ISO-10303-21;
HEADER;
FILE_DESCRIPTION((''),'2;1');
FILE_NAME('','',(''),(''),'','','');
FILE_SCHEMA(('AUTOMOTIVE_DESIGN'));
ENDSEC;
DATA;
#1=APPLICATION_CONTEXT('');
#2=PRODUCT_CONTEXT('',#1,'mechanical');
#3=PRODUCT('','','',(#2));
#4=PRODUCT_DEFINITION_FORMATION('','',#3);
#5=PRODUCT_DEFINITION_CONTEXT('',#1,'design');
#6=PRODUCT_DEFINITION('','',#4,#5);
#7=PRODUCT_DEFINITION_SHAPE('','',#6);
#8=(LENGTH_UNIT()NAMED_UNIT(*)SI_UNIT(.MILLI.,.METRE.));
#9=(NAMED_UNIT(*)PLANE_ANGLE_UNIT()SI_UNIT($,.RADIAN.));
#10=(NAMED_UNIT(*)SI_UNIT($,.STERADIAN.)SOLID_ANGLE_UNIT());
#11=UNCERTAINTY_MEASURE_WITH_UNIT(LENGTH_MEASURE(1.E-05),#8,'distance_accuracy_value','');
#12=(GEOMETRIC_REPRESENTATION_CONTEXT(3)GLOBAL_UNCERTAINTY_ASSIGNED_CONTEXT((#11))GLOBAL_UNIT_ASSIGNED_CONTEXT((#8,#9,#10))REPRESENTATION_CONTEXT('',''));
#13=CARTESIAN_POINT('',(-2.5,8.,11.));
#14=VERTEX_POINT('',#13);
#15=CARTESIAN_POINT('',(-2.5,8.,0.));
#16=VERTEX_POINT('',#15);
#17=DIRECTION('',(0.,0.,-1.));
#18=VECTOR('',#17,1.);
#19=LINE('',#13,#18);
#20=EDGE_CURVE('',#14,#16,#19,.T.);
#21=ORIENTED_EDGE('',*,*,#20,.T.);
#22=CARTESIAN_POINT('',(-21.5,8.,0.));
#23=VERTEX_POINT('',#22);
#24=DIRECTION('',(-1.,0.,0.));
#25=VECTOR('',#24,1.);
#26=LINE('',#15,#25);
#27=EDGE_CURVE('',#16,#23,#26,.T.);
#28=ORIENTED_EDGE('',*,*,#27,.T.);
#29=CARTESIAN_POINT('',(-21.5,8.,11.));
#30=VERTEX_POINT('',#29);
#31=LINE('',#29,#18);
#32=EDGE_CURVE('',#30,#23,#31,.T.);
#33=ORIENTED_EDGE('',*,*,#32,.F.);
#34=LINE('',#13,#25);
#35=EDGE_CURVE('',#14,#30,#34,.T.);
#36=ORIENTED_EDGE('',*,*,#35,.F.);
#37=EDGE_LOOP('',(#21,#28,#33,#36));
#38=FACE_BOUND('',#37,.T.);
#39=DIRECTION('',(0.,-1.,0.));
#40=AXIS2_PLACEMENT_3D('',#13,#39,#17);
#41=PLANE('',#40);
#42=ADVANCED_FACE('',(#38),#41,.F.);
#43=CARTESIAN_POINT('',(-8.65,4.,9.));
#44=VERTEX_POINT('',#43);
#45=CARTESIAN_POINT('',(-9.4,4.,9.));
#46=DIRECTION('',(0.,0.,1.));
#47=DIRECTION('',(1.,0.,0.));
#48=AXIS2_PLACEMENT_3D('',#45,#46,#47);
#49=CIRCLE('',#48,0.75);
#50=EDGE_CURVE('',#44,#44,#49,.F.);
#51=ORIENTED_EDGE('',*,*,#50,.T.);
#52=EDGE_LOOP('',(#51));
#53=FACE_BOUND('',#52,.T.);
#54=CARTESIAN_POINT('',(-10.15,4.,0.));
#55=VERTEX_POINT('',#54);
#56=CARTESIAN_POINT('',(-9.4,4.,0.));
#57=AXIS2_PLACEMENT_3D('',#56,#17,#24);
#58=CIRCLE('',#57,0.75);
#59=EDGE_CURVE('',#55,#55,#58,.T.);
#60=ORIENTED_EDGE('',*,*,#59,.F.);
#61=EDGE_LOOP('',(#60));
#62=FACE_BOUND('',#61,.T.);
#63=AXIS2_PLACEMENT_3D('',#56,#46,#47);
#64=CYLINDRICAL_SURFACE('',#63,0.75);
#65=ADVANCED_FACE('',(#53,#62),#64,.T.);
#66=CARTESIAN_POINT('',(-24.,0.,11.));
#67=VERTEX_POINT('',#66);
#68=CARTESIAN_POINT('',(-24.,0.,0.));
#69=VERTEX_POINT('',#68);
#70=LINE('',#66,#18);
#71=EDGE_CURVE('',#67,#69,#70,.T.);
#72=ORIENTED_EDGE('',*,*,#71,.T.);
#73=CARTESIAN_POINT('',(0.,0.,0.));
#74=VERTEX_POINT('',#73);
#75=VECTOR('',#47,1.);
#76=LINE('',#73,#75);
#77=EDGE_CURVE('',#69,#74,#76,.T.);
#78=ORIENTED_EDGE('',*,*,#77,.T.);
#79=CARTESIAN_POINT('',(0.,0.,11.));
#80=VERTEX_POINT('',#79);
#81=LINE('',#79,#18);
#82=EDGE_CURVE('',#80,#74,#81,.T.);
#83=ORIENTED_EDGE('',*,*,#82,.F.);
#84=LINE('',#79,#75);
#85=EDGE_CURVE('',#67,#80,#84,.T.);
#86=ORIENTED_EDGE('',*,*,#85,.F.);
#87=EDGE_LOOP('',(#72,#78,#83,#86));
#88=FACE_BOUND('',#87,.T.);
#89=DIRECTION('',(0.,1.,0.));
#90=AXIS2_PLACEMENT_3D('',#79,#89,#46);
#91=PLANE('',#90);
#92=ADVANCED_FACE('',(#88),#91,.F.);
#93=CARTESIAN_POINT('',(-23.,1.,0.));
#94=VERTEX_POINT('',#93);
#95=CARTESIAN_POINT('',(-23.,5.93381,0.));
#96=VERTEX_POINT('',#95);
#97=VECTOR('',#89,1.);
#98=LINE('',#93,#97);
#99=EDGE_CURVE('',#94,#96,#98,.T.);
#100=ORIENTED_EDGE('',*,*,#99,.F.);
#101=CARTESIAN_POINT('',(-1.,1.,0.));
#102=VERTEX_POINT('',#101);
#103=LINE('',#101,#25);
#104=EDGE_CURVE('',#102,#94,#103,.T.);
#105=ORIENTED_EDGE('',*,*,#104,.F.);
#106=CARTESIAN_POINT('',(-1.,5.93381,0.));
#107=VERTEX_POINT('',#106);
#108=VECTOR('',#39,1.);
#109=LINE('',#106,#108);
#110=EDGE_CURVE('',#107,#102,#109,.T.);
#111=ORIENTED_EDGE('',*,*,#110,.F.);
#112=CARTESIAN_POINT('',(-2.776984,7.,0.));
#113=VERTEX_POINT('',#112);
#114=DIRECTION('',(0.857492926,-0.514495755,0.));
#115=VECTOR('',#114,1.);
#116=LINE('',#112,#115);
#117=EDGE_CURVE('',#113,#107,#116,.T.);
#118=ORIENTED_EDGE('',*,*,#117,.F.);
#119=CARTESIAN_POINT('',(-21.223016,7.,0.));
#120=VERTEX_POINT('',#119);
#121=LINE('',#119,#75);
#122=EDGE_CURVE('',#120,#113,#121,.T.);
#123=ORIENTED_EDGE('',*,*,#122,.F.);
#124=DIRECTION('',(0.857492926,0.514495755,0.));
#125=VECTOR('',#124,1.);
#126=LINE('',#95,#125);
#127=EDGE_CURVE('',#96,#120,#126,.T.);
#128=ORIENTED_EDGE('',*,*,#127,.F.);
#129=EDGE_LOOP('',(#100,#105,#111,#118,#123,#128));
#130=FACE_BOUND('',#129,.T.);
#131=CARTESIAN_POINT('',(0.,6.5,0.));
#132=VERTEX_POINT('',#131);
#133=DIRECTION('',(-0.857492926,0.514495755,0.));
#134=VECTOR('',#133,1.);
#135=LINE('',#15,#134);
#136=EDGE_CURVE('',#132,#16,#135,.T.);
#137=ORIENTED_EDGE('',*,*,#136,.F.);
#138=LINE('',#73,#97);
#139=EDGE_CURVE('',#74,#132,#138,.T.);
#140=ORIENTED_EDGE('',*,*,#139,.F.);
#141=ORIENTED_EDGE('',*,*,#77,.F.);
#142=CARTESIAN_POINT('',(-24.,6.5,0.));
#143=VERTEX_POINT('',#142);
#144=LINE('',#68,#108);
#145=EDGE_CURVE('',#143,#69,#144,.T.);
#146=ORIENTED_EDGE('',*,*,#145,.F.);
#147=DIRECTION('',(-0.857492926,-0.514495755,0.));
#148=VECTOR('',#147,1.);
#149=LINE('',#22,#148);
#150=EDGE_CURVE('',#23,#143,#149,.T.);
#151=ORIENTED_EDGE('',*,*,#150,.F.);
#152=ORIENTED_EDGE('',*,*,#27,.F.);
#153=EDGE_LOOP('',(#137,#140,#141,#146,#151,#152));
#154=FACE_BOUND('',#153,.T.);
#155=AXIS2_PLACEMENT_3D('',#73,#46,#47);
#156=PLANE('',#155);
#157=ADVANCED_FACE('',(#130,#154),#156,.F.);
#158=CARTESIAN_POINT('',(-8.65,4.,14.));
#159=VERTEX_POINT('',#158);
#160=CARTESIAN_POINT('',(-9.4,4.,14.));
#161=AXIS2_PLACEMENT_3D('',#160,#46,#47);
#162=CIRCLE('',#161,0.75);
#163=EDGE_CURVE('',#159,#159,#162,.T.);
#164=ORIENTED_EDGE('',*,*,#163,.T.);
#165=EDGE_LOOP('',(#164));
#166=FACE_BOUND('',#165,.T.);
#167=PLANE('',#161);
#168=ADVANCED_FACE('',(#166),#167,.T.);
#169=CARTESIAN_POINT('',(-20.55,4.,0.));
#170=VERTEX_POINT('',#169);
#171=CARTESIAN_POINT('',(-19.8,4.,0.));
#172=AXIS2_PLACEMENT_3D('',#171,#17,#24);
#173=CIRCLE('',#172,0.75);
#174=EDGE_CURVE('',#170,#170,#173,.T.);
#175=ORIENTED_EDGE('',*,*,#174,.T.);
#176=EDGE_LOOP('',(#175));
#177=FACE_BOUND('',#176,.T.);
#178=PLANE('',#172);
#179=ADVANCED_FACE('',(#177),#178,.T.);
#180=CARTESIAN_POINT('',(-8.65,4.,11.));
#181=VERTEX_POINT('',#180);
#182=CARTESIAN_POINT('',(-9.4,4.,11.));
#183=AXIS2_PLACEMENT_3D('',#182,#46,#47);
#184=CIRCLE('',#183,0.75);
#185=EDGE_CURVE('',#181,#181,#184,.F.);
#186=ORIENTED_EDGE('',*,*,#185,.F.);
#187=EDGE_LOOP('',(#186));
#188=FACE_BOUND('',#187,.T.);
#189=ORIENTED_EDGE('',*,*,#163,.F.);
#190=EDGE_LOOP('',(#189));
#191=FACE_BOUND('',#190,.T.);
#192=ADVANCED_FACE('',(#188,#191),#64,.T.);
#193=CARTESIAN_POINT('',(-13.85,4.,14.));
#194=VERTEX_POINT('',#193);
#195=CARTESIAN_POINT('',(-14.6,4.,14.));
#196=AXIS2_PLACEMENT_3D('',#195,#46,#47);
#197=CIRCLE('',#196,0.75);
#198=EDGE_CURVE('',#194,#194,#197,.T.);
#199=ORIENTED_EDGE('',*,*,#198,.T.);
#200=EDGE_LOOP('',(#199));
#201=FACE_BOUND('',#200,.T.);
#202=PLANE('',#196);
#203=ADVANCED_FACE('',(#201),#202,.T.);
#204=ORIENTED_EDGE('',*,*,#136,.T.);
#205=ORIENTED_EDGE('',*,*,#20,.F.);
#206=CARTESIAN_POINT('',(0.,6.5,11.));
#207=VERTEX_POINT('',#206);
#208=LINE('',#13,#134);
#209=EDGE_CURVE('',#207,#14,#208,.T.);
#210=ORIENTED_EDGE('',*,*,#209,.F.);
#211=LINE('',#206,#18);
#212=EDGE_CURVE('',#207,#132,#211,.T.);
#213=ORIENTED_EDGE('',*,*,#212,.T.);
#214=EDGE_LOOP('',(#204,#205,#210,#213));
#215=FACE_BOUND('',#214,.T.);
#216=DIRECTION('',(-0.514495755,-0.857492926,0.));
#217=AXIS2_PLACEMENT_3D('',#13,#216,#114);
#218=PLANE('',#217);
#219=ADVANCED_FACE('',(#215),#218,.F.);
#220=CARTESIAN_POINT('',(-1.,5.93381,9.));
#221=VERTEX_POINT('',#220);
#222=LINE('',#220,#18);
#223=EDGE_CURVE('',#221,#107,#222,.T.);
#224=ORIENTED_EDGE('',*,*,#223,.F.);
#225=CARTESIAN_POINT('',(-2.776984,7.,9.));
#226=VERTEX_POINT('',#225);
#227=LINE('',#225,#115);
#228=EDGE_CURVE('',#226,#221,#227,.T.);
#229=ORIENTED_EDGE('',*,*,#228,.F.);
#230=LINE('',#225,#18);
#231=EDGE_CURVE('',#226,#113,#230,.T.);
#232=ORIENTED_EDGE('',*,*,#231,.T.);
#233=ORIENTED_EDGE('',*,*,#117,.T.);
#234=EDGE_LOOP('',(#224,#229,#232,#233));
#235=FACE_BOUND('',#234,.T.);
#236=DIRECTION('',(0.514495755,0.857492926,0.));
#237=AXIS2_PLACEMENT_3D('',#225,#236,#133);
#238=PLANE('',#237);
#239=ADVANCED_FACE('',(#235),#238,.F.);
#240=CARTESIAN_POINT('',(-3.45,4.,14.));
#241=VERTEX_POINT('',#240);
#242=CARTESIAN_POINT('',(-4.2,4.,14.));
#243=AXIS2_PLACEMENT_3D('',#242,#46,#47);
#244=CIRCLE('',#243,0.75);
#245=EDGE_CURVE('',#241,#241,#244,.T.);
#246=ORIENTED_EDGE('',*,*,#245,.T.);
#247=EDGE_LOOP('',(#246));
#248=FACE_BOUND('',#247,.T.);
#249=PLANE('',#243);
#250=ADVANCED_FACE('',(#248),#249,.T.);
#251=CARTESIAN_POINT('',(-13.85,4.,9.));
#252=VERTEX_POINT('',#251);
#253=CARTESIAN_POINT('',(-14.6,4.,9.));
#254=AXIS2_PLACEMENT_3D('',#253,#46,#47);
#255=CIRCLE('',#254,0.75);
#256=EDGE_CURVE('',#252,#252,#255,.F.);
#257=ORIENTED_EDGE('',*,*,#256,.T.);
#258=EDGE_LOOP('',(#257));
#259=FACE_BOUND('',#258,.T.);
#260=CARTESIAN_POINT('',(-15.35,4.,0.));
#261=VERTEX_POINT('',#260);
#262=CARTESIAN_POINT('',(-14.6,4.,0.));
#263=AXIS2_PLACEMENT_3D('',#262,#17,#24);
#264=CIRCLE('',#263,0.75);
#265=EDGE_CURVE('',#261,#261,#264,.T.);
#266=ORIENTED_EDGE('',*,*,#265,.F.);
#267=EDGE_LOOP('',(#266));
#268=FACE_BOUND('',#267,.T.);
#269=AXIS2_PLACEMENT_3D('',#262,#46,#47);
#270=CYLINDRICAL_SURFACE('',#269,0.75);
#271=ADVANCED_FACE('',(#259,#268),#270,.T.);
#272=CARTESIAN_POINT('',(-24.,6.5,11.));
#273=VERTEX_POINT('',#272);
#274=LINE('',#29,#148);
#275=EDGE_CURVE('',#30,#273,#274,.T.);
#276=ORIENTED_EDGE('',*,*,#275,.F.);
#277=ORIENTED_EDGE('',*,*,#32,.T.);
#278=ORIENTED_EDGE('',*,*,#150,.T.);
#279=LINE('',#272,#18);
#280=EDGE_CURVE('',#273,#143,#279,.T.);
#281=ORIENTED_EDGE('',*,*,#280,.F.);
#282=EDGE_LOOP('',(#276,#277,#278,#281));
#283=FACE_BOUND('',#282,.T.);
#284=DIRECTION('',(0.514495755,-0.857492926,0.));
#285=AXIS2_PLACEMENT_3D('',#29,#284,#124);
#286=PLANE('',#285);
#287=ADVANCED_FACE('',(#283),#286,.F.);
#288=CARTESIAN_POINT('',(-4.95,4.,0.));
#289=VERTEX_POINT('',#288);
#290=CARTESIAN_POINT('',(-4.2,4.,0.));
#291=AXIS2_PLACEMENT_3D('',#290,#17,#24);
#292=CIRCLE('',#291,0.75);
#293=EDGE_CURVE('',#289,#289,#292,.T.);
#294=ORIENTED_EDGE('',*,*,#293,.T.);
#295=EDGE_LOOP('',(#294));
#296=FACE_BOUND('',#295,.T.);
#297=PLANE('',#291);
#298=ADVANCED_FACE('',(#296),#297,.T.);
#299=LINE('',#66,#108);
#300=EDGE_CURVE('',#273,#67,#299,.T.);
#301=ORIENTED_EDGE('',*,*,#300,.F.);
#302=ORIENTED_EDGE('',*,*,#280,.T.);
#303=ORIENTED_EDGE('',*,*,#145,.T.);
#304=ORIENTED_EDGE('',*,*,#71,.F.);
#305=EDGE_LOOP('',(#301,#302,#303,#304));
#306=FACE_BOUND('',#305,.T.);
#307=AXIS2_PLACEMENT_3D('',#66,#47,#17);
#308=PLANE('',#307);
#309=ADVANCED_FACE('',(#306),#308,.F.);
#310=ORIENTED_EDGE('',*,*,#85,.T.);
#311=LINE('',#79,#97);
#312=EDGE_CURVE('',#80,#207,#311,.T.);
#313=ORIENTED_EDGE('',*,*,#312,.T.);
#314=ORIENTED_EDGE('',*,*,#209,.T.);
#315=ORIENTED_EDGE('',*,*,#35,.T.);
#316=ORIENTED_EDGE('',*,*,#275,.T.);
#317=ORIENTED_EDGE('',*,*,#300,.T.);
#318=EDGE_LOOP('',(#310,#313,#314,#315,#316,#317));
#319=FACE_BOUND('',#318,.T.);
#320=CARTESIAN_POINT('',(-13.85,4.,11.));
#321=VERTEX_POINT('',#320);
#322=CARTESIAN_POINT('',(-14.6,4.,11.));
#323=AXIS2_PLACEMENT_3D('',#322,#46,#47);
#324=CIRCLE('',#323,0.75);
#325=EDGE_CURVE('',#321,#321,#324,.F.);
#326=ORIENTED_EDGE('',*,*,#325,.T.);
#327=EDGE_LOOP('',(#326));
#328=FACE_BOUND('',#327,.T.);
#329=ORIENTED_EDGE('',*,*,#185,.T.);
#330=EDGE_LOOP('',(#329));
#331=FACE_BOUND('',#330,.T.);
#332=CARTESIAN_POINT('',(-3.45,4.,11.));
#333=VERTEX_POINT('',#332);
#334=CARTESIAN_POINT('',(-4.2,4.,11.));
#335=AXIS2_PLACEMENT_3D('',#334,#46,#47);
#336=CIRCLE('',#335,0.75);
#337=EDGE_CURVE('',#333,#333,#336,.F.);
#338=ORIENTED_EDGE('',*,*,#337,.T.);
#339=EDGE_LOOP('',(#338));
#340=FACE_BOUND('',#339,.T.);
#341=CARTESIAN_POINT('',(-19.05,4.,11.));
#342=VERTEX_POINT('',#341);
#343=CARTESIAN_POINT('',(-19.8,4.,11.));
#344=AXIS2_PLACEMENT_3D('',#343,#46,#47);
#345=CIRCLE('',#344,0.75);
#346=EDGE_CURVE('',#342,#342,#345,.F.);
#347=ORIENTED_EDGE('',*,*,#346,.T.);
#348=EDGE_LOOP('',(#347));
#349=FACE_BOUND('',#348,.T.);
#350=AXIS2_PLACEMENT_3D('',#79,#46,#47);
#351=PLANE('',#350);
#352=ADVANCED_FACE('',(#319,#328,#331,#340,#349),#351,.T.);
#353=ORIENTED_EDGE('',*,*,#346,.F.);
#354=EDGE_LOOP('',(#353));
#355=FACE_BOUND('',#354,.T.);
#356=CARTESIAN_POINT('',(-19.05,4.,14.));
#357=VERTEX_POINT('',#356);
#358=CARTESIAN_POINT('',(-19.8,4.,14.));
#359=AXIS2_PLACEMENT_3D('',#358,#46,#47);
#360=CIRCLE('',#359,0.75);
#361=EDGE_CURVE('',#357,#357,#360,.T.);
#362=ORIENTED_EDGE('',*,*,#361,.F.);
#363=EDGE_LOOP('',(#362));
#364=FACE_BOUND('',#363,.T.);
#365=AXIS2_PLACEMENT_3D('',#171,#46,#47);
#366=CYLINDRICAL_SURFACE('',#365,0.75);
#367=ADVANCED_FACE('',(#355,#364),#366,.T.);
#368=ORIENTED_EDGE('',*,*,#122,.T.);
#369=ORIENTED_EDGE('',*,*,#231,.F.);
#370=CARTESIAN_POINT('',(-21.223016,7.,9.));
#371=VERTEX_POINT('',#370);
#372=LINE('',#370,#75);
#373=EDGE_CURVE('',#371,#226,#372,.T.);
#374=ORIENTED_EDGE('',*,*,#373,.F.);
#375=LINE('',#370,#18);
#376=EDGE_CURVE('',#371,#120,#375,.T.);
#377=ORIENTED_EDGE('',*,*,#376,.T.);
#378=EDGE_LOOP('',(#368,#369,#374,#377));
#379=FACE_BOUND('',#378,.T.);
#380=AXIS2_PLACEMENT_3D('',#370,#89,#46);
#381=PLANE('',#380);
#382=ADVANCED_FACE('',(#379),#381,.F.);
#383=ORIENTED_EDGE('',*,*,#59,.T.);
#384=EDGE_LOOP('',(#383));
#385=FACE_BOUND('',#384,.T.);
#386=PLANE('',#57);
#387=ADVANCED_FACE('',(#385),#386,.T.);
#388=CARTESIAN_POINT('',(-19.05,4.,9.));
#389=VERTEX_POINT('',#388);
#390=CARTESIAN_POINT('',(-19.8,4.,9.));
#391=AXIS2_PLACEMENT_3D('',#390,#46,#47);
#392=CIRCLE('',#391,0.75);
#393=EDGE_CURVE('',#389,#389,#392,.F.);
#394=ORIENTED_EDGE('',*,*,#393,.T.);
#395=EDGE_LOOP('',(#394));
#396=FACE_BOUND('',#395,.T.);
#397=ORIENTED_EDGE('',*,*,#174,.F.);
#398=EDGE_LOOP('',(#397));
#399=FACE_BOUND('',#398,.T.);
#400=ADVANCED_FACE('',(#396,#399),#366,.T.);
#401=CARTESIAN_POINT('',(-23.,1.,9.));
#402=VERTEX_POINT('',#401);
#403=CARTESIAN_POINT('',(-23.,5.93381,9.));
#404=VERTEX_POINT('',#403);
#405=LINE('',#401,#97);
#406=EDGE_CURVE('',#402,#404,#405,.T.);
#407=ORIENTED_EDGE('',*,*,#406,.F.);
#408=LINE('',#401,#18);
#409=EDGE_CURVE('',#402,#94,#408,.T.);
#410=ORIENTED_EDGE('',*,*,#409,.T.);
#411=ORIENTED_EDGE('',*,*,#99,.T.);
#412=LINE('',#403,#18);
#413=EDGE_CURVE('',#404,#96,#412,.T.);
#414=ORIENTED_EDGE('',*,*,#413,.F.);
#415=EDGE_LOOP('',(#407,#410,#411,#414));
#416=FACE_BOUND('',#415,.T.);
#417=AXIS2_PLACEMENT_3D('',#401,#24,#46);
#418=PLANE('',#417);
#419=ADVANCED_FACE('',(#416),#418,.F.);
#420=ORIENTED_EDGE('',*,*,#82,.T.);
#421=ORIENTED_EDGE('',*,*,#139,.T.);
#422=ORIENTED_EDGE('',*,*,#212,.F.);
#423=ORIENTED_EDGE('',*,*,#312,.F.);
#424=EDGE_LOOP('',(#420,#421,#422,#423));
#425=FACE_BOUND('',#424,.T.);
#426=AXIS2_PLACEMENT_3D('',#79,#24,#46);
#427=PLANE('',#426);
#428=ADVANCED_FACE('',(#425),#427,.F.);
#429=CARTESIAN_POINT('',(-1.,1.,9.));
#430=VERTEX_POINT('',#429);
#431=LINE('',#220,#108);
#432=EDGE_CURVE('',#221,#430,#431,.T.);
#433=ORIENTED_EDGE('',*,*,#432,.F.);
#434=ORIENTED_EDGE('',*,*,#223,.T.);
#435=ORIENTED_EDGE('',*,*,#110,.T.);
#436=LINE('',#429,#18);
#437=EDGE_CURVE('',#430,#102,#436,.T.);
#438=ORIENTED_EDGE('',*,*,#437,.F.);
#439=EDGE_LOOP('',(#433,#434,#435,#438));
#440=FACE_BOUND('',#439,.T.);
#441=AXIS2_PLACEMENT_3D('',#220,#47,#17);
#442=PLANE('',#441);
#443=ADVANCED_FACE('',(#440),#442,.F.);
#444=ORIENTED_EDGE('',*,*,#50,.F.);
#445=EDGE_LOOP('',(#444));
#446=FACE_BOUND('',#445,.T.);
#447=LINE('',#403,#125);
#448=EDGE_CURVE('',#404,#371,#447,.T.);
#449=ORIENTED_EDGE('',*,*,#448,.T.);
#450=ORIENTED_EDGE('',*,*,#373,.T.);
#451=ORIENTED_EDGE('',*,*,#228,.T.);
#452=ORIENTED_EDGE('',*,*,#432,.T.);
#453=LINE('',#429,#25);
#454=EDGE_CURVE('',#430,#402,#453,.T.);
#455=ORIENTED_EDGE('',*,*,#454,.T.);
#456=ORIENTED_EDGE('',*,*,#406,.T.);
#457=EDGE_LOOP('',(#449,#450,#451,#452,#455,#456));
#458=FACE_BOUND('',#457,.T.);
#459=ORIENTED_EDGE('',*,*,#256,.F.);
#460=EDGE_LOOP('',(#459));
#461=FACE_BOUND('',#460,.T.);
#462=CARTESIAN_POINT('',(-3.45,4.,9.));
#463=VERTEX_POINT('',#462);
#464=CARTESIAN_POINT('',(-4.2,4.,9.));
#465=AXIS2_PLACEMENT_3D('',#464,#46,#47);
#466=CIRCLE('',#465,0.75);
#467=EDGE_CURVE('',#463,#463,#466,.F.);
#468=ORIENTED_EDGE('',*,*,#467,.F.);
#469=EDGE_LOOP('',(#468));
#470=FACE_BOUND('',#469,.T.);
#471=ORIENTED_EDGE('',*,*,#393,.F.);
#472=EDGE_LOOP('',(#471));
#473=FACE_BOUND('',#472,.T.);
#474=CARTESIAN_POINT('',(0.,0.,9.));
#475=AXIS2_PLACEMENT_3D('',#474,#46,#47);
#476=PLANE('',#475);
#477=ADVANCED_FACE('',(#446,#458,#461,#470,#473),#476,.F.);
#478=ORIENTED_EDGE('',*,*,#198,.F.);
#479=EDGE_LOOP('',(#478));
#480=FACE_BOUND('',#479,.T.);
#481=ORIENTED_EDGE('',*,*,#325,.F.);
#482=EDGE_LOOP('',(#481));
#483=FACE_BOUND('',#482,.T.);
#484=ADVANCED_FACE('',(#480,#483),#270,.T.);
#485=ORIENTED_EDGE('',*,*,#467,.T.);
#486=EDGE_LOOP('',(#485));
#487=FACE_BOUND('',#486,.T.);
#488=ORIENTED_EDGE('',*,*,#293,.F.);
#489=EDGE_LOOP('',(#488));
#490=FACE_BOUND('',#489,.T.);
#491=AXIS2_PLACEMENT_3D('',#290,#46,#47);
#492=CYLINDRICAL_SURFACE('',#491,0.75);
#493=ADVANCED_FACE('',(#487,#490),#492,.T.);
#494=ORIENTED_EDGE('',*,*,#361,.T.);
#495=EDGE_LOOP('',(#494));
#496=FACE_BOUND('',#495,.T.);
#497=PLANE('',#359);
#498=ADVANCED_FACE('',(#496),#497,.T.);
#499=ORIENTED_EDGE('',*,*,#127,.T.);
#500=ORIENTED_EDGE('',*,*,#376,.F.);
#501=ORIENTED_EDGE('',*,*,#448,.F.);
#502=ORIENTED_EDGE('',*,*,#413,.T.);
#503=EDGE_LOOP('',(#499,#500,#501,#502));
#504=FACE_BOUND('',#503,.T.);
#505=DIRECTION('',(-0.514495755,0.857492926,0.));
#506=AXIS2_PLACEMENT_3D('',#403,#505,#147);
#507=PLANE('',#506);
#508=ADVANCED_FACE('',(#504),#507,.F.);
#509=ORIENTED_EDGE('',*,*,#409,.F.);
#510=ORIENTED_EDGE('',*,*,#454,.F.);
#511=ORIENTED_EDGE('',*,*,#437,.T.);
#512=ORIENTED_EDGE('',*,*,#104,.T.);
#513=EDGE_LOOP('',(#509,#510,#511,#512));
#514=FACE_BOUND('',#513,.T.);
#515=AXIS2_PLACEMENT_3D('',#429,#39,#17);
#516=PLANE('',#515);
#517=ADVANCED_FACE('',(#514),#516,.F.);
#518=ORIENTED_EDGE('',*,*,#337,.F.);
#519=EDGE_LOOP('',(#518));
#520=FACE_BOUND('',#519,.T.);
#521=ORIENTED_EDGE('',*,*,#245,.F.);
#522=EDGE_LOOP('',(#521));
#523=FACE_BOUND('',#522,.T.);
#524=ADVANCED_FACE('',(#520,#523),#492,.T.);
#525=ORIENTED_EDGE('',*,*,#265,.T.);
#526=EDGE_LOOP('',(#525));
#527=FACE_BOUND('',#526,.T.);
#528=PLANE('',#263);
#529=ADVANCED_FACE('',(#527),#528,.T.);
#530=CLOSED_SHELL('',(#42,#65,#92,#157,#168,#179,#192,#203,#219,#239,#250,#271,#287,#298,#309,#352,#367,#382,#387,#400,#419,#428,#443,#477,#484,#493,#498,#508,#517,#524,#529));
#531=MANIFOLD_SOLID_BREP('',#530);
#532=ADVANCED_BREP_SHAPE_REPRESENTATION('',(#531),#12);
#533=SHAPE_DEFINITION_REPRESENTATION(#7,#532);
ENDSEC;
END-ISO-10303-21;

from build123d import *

# Parameters (mm, degrees)
EXTRUDE_1_DEPTH        = 11
CUT_EXTRUDE_1_DEPTH    = 9
SKETCH_3_R             = 0.75
EXTRUDE_2_DEPTH        = 9
SKETCH_4_R             = 1.77312928
CUT_EXTRUDE_2_DEPTH    = 4
PATTERN_LINEAR_1_COUNT = 4
PATTERN_LINEAR_1_PITCH = 5.2


with BuildPart() as part:
    # 草图1 → 凸台-拉伸1 (new body)
    with BuildSketch(Plane.XY):
        Polygon((0, 0), (-24, 0), (-24, 6.5), (-21.5, 8), (-2.5, 8), (0, 6.5), align=None)
    extrude(amount=EXTRUDE_1_DEPTH)

    # 草图2 → 切除-拉伸1 (cut)
    with BuildSketch(Plane(origin=(0, 0, 0), x_dir=(-1, 0, 0), z_dir=(0, 0, -1))):
        Polygon((1, 5.933809621), (1, 1), (23, 1), (23, 5.933809621), (21.223016035, 7), (2.776983965, 7), align=None)
    extrude(amount=-CUT_EXTRUDE_1_DEPTH, mode=Mode.SUBTRACT)

    # 草图3 → 凸台-拉伸2 (add, symmetric)
    with BuildSketch(Plane(origin=(0, 0, 9), x_dir=(-1, 0, 0), z_dir=(0, 0, -1))):
        with Locations(Location((4.2, 4, 0), (0, 0, 180))):
            Circle(SKETCH_3_R)
    extrude_2 = extrude(amount=EXTRUDE_2_DEPTH, both=True)

    # 草图4 → 切除-拉伸2 (cut)
    with BuildSketch(Plane.XY.offset(18)):
        with Locations((-4.2, 4)):
            Circle(SKETCH_4_R)
    cut_extrude_2 = extrude(amount=-CUT_EXTRUDE_2_DEPTH, mode=Mode.SUBTRACT)

    # 阵列(线性)1: 凸台-拉伸2, 切除-拉伸2 ×4
    with Locations(*[(-i * PATTERN_LINEAR_1_PITCH, 0, 0) for i in range(1, PATTERN_LINEAR_1_COUNT)]):
        add(extrude_2)
        add(cut_extrude_2, mode=Mode.SUBTRACT)


solid = part.part
